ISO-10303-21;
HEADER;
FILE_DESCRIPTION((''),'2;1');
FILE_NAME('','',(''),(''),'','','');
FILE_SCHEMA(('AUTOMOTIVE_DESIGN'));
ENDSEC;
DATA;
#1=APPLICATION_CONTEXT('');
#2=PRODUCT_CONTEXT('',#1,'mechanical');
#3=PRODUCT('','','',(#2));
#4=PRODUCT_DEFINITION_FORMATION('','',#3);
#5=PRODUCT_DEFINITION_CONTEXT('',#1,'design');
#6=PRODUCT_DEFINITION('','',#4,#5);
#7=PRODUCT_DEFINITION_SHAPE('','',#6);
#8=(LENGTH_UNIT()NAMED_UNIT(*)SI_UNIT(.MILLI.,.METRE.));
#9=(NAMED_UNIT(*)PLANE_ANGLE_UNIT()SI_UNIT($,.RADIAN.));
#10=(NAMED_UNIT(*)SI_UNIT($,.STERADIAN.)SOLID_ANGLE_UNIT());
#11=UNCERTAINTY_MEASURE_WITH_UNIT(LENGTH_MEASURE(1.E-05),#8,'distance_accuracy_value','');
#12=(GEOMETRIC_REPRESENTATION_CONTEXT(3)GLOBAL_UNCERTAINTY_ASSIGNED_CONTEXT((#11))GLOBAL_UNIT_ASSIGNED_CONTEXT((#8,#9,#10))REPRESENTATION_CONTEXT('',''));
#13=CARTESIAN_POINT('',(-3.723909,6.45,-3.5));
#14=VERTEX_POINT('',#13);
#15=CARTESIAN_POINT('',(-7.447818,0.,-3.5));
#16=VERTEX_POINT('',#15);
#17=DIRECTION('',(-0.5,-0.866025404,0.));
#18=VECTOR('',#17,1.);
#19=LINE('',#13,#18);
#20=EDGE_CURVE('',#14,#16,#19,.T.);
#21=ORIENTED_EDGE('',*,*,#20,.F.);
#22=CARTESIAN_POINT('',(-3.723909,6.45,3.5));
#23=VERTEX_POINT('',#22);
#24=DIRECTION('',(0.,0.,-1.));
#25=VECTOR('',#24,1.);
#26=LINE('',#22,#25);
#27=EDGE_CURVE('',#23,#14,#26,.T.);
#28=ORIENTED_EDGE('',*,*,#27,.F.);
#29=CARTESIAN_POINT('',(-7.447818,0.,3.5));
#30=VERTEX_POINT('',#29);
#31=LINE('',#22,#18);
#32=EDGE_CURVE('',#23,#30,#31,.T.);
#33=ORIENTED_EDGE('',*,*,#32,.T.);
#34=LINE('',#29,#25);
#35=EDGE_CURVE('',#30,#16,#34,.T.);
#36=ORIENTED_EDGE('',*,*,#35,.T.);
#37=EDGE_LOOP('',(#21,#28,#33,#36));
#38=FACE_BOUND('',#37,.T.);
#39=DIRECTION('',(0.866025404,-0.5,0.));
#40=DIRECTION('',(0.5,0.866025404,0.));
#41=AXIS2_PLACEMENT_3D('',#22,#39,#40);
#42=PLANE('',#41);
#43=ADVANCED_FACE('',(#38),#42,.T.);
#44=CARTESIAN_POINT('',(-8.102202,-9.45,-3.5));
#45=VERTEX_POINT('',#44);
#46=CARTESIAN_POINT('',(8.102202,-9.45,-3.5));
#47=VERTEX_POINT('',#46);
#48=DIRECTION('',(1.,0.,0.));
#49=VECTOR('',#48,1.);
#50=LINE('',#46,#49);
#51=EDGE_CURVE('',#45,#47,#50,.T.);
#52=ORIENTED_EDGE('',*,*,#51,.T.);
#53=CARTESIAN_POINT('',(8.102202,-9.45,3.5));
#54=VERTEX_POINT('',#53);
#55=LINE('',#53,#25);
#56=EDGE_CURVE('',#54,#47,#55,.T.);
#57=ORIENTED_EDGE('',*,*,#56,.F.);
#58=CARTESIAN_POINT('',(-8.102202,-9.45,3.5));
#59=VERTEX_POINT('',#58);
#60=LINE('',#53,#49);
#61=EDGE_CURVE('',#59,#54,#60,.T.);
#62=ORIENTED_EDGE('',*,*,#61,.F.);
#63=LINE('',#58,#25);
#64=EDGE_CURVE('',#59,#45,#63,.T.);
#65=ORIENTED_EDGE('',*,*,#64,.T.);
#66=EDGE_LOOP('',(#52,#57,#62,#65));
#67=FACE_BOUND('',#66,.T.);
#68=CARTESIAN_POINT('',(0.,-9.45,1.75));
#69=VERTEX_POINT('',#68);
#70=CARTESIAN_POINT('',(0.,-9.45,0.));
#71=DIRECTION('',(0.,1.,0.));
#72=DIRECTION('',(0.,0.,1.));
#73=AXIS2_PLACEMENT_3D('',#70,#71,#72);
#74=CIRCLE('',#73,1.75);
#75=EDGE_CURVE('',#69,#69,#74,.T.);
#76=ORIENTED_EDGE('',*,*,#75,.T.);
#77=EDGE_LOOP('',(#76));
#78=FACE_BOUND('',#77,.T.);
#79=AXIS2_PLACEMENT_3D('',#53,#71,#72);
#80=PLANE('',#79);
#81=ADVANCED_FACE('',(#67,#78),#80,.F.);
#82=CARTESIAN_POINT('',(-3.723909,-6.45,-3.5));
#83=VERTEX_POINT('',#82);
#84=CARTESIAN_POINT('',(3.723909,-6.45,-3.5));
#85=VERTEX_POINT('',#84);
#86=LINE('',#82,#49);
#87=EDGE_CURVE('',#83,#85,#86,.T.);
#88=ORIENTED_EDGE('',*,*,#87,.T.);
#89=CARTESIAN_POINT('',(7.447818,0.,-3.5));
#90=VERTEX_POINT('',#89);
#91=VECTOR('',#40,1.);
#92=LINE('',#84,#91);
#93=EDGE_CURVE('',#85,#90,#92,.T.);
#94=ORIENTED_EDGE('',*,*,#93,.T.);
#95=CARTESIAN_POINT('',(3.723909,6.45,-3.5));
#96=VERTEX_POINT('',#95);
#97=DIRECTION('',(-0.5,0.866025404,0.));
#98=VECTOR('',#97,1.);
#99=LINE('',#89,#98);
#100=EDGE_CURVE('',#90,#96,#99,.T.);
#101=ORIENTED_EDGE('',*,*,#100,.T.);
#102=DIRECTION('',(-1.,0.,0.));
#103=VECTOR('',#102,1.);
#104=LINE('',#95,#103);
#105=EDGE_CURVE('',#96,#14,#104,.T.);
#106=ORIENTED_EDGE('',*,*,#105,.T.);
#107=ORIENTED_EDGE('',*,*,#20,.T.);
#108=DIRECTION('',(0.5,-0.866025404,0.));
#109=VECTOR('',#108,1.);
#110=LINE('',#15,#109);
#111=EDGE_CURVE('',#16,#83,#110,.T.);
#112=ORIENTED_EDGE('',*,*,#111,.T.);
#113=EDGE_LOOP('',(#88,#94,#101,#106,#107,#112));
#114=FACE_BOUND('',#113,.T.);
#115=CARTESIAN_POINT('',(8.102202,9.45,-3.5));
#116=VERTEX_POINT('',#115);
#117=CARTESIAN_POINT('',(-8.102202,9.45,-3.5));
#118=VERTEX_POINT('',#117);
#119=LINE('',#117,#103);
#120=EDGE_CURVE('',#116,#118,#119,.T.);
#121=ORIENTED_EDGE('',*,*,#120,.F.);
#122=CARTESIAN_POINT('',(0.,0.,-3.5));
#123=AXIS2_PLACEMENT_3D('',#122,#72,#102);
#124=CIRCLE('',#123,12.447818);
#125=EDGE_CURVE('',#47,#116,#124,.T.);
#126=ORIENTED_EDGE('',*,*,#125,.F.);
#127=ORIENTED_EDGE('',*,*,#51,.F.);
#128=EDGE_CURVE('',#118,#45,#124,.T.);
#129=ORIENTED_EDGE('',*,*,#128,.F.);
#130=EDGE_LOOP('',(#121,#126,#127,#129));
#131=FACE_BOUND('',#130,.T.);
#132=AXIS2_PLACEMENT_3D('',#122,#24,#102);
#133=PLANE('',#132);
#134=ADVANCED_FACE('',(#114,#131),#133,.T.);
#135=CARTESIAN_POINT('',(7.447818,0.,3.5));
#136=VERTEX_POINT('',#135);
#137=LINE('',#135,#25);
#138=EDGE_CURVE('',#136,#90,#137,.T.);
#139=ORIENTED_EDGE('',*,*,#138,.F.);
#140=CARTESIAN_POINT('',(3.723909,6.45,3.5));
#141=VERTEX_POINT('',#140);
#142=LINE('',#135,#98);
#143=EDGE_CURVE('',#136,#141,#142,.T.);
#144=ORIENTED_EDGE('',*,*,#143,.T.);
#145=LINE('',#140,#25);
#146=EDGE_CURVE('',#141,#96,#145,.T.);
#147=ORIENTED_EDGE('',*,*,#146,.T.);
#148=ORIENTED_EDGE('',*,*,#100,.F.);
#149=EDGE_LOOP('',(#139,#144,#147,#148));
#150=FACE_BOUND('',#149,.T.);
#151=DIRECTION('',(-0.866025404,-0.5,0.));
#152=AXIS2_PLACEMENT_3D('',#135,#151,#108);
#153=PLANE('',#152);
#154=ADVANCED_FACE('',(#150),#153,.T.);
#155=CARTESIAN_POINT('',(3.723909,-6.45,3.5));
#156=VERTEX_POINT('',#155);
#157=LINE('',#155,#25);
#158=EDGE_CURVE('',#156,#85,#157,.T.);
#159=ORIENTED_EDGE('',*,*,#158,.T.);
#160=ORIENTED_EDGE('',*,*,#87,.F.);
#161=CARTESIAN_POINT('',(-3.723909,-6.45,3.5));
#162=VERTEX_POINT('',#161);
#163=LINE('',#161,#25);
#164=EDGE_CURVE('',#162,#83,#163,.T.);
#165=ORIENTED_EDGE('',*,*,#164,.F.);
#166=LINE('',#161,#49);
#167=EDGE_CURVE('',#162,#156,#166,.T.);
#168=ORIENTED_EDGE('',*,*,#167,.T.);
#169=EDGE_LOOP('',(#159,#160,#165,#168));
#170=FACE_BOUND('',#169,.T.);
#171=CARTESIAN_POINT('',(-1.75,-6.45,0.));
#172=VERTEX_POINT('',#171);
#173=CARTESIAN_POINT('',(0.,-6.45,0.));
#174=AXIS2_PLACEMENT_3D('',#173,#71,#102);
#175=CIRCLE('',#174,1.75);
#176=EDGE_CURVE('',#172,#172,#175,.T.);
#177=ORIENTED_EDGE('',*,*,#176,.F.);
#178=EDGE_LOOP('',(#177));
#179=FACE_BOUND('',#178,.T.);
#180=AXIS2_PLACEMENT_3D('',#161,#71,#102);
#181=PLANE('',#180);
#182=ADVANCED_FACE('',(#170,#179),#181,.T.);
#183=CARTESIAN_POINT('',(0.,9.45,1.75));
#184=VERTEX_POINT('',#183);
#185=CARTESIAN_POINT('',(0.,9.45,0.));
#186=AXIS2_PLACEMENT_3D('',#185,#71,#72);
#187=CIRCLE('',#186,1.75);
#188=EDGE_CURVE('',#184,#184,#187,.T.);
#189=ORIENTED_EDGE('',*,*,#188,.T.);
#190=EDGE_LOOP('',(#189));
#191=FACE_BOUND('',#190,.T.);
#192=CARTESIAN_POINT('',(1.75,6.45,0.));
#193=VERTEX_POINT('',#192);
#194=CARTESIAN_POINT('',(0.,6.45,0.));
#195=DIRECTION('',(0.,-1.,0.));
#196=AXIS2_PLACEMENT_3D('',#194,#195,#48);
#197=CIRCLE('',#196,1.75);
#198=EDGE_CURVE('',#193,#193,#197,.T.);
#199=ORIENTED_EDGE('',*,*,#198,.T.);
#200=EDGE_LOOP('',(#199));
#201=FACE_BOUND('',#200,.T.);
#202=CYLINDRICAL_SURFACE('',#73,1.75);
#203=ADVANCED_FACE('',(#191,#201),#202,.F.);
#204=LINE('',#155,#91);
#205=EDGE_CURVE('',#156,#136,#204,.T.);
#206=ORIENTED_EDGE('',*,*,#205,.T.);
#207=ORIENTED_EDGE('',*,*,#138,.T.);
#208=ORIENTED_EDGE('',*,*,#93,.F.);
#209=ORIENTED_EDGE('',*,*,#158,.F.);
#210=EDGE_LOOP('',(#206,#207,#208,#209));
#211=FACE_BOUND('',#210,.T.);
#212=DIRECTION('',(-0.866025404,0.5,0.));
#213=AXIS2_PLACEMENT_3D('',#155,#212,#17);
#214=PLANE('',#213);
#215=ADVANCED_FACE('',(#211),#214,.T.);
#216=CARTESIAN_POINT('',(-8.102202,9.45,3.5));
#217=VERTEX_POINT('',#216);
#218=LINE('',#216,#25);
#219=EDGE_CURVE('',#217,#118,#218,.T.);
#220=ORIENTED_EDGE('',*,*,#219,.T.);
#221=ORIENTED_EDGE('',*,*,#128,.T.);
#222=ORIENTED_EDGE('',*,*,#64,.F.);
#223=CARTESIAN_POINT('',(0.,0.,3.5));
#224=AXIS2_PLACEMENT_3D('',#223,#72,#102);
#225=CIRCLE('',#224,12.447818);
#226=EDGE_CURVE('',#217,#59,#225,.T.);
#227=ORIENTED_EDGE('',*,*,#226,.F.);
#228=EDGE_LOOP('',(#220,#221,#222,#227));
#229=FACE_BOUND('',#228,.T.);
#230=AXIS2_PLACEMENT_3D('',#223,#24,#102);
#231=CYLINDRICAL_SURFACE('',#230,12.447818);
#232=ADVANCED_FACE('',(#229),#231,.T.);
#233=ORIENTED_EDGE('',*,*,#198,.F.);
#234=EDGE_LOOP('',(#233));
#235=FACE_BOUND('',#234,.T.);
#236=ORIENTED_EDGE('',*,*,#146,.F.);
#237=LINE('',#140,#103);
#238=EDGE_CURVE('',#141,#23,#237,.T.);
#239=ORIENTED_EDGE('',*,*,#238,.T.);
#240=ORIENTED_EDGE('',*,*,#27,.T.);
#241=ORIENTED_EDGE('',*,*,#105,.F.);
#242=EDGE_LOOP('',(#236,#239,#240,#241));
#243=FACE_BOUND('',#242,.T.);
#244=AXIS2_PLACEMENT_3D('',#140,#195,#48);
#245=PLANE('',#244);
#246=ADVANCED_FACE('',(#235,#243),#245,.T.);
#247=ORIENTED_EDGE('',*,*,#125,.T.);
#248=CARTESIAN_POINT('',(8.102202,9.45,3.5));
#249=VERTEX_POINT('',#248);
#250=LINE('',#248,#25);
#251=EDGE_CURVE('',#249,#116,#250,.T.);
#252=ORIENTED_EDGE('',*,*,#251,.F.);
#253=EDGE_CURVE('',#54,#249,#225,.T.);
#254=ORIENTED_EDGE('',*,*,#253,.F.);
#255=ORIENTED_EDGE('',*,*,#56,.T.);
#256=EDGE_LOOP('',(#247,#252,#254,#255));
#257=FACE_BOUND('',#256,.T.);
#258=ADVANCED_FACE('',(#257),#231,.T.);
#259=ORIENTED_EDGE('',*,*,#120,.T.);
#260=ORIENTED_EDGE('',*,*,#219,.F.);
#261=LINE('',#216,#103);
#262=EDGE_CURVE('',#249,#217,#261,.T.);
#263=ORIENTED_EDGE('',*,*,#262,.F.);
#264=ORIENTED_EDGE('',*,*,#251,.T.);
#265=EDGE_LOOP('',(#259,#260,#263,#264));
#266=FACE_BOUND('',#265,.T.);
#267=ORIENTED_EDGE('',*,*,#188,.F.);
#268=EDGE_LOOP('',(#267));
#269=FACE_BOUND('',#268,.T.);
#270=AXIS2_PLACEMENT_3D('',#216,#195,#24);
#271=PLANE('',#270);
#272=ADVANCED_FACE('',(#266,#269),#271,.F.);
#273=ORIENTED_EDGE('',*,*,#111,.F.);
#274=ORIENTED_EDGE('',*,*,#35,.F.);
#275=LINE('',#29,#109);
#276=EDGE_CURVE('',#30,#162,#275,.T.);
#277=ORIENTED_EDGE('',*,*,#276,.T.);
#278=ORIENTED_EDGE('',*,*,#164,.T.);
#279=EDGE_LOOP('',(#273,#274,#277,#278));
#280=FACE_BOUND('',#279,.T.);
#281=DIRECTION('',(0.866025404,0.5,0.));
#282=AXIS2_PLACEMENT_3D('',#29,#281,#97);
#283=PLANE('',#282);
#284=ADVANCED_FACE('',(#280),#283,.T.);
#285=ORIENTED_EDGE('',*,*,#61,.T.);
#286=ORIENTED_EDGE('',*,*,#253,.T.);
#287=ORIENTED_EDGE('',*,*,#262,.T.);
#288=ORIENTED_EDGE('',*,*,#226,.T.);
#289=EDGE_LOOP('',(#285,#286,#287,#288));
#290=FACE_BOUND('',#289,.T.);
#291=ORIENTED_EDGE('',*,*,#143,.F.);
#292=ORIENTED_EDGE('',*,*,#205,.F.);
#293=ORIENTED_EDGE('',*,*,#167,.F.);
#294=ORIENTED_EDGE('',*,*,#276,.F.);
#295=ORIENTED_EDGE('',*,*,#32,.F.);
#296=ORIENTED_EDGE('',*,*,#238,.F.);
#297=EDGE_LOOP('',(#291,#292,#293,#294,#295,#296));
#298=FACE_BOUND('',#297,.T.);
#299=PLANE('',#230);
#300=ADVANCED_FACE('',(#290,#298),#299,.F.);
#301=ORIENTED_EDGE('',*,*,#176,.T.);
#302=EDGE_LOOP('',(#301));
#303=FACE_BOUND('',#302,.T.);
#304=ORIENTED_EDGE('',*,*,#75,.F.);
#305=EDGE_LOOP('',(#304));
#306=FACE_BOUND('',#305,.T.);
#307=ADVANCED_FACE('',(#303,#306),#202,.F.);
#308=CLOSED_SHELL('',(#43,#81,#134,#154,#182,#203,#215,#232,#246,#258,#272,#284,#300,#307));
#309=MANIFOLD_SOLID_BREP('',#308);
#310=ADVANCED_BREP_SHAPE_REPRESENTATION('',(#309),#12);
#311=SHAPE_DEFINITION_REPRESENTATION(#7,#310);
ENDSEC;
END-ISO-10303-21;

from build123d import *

# Parameters (mm, degrees)
BOSS_EXTRUDE1_DEPTH = 3.5
SKETCH2_R           = 1.75
CUT_EXTRUDE1_DEPTH  = 23.899960365


with BuildPart() as part:
    # Sketch1 → Boss-Extrude1 (new, symmetric)
    with BuildSketch(Plane.XY):
        with BuildLine():
            Line((-8.102202461, 9.45), (8.102202461, 9.45))
            ThreePointArc((8.102202461, 9.45), (12.447818473, 0), (8.102202461, -9.45))
            Line((8.102202461, -9.45), (-8.102202461, -9.45))
            ThreePointArc((-8.102202461, -9.45), (-12.447818473, 0), (-8.102202461, 9.45))
        make_face()
        Polygon((7.447818473, 0), (3.723909236, 6.45), (-3.723909236, 6.45), (-7.447818473, 0), (-3.723909236, -6.45), (3.723909236, -6.45), align=None, mode=Mode.SUBTRACT)
    extrude(amount=BOSS_EXTRUDE1_DEPTH, both=True)

    # Sketch2 → Cut-Extrude1 (cut, through all)
    with BuildSketch(Plane(origin=(0, 9.45, 0), x_dir=(1, 0, 0), z_dir=(0, 1, 0))):
        with Locations(Location((0, 0, 0), (0, 0, 270))):
            Circle(SKETCH2_R)
    extrude(amount=-CUT_EXTRUDE1_DEPTH, mode=Mode.SUBTRACT)


solid = part.part
